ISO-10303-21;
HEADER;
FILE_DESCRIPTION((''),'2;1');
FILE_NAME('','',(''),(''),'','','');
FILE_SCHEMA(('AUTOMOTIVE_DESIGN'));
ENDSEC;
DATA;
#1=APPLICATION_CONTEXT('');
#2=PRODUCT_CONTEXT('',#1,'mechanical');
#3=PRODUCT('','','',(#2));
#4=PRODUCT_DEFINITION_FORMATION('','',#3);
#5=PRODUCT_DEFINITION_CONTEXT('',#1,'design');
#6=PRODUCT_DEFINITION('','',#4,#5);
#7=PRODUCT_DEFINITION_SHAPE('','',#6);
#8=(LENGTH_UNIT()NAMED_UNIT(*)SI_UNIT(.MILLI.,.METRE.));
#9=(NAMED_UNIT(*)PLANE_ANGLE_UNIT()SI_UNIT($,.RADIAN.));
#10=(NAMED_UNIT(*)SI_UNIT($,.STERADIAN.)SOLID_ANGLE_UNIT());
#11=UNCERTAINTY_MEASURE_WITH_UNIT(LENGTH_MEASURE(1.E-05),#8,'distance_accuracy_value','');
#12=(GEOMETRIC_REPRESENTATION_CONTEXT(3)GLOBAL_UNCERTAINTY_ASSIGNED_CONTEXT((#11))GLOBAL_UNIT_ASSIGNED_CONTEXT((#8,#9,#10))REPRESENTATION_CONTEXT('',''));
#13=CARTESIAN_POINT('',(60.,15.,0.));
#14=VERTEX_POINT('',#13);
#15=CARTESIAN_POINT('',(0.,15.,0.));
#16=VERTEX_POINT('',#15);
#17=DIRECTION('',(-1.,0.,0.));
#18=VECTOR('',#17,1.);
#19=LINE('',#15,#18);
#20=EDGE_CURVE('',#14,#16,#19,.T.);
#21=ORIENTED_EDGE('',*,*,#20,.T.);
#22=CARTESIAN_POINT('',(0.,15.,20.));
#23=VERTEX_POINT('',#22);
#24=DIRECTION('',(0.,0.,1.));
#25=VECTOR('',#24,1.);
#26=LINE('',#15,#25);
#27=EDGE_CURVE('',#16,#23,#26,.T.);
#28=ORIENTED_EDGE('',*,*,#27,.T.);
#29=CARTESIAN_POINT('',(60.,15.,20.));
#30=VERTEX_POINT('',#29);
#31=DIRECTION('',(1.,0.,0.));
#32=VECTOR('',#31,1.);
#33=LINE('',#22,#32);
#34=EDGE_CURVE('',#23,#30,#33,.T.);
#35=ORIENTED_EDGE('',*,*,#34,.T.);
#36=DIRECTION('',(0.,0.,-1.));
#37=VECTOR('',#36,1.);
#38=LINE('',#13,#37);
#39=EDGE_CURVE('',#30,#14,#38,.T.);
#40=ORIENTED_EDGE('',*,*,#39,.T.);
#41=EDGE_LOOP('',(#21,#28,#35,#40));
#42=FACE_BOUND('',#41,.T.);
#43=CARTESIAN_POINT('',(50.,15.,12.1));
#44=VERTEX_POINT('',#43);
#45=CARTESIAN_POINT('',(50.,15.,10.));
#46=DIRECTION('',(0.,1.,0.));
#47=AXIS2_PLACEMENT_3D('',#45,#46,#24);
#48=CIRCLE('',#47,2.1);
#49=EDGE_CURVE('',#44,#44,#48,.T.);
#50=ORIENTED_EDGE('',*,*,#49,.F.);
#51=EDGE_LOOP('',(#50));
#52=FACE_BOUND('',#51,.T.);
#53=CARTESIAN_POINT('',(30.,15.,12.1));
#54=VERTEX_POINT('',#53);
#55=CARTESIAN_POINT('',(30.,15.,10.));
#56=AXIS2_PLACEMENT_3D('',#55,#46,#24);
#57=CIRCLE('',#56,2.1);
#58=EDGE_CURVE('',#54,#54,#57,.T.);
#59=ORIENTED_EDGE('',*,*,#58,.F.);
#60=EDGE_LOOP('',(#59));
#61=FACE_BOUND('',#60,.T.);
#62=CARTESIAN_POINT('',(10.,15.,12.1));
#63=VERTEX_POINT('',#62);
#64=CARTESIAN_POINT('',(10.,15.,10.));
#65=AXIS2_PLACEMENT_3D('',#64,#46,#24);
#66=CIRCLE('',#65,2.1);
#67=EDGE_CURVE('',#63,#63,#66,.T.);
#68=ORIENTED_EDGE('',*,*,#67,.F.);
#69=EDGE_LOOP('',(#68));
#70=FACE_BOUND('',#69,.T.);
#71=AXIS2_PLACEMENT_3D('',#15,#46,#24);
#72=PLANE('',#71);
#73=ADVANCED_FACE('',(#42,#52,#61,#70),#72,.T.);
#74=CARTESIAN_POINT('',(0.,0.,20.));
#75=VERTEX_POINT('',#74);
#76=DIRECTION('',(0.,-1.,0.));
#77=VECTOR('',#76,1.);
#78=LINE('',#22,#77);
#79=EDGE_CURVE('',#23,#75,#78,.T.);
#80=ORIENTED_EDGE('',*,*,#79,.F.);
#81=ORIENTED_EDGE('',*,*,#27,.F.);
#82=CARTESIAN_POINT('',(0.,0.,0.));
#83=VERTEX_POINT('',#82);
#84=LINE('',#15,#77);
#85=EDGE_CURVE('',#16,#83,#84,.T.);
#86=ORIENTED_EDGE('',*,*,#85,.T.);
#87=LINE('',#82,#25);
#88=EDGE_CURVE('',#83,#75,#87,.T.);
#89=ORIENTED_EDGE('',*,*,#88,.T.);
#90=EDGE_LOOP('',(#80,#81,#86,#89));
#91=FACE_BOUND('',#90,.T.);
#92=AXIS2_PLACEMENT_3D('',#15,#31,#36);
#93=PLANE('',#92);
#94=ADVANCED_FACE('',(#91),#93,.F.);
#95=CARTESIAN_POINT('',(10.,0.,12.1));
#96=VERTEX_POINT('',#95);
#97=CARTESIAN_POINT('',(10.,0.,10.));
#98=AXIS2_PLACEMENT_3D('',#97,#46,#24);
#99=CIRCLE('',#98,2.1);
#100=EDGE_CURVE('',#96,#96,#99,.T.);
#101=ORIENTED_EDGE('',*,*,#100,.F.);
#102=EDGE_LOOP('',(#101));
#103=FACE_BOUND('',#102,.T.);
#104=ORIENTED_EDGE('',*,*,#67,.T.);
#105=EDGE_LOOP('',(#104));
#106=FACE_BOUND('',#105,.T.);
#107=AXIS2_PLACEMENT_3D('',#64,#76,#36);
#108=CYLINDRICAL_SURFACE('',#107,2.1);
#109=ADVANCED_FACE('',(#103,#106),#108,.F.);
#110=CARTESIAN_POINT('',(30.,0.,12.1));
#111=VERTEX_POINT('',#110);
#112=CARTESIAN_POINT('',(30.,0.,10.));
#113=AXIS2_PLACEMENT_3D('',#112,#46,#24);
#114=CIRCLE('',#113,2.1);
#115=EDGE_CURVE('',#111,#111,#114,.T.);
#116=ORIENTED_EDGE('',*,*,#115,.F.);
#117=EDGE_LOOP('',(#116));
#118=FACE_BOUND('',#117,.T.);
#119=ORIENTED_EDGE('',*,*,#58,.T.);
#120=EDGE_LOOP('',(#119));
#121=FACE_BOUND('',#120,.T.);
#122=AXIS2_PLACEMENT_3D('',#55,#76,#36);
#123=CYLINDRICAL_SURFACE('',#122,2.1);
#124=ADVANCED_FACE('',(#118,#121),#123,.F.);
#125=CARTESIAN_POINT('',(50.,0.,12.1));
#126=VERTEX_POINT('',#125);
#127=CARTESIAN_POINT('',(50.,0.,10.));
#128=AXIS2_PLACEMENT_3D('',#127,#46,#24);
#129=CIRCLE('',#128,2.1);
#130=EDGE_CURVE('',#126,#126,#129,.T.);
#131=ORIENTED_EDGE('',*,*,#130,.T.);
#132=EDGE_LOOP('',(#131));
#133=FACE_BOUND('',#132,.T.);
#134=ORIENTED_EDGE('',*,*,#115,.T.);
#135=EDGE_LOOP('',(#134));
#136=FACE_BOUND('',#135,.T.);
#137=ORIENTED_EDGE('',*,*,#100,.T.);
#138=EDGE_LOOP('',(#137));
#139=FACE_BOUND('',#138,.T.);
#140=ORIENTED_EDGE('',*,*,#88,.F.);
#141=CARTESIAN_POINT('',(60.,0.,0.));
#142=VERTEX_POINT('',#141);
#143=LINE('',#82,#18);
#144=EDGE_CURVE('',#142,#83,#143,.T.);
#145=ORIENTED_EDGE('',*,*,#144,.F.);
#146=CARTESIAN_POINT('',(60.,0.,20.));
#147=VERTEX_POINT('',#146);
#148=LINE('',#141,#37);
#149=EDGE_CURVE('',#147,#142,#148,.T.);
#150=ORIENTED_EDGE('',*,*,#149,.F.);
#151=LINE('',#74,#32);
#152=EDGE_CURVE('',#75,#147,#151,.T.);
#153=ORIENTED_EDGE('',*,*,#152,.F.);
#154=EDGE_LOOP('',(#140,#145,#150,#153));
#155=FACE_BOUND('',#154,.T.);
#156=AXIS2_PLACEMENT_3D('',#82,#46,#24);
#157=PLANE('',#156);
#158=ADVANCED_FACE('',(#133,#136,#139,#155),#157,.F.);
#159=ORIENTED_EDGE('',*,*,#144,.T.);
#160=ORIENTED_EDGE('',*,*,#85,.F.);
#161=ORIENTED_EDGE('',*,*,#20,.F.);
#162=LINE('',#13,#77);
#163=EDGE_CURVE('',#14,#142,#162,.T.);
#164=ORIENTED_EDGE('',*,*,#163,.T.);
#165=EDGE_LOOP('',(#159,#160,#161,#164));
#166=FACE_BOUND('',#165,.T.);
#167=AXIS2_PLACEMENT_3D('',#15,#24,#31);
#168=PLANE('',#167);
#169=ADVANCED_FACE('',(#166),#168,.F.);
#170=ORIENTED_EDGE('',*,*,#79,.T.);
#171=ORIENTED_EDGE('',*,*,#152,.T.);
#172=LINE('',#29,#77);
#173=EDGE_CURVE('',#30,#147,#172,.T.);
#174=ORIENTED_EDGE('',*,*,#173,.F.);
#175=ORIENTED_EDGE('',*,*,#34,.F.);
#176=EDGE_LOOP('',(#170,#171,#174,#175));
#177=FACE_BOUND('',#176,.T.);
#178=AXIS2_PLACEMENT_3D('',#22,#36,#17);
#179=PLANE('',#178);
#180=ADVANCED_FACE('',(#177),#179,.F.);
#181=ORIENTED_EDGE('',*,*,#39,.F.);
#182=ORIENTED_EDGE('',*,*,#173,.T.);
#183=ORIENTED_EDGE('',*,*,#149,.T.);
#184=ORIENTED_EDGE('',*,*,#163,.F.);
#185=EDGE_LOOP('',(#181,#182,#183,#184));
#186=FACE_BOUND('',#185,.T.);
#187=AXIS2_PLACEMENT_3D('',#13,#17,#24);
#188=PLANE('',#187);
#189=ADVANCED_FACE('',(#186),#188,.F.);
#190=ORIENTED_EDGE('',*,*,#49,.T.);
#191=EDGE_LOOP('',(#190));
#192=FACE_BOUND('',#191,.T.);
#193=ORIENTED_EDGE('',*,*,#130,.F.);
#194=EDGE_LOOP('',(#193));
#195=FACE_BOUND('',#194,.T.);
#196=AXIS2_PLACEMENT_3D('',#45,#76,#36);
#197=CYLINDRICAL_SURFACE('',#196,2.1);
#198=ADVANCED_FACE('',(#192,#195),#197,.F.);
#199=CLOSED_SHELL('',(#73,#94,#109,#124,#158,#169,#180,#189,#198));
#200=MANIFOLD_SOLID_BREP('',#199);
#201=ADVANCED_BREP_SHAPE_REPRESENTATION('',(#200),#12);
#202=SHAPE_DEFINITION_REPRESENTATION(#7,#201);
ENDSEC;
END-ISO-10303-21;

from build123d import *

# Parameters (mm, degrees)
SKETCH_1_W      = 60
SKETCH_1_H      = 20
SKETCH_1_R      = 2.1
EXTRUDE_1_DEPTH = 15


with BuildPart() as part:
    # 草图1 → 凸台-拉伸1 (new body)
    with BuildSketch(Plane(origin=(0, 0, 0), x_dir=(1, 0, 0), z_dir=(0, 1, 0))):
        with Locations((30, -10)):
            Rectangle(SKETCH_1_W, SKETCH_1_H)
        with Locations(Location((10, -10, 0), (0, 0, 270))):
            Circle(SKETCH_1_R, mode=Mode.SUBTRACT)
        with Locations(Location((30, -10, 0), (0, 0, 270))):
            Circle(SKETCH_1_R, mode=Mode.SUBTRACT)
        with Locations(Location((50, -10, 0), (0, 0, 270))):
            Circle(SKETCH_1_R, mode=Mode.SUBTRACT)
    extrude(amount=EXTRUDE_1_DEPTH)


solid = part.part
